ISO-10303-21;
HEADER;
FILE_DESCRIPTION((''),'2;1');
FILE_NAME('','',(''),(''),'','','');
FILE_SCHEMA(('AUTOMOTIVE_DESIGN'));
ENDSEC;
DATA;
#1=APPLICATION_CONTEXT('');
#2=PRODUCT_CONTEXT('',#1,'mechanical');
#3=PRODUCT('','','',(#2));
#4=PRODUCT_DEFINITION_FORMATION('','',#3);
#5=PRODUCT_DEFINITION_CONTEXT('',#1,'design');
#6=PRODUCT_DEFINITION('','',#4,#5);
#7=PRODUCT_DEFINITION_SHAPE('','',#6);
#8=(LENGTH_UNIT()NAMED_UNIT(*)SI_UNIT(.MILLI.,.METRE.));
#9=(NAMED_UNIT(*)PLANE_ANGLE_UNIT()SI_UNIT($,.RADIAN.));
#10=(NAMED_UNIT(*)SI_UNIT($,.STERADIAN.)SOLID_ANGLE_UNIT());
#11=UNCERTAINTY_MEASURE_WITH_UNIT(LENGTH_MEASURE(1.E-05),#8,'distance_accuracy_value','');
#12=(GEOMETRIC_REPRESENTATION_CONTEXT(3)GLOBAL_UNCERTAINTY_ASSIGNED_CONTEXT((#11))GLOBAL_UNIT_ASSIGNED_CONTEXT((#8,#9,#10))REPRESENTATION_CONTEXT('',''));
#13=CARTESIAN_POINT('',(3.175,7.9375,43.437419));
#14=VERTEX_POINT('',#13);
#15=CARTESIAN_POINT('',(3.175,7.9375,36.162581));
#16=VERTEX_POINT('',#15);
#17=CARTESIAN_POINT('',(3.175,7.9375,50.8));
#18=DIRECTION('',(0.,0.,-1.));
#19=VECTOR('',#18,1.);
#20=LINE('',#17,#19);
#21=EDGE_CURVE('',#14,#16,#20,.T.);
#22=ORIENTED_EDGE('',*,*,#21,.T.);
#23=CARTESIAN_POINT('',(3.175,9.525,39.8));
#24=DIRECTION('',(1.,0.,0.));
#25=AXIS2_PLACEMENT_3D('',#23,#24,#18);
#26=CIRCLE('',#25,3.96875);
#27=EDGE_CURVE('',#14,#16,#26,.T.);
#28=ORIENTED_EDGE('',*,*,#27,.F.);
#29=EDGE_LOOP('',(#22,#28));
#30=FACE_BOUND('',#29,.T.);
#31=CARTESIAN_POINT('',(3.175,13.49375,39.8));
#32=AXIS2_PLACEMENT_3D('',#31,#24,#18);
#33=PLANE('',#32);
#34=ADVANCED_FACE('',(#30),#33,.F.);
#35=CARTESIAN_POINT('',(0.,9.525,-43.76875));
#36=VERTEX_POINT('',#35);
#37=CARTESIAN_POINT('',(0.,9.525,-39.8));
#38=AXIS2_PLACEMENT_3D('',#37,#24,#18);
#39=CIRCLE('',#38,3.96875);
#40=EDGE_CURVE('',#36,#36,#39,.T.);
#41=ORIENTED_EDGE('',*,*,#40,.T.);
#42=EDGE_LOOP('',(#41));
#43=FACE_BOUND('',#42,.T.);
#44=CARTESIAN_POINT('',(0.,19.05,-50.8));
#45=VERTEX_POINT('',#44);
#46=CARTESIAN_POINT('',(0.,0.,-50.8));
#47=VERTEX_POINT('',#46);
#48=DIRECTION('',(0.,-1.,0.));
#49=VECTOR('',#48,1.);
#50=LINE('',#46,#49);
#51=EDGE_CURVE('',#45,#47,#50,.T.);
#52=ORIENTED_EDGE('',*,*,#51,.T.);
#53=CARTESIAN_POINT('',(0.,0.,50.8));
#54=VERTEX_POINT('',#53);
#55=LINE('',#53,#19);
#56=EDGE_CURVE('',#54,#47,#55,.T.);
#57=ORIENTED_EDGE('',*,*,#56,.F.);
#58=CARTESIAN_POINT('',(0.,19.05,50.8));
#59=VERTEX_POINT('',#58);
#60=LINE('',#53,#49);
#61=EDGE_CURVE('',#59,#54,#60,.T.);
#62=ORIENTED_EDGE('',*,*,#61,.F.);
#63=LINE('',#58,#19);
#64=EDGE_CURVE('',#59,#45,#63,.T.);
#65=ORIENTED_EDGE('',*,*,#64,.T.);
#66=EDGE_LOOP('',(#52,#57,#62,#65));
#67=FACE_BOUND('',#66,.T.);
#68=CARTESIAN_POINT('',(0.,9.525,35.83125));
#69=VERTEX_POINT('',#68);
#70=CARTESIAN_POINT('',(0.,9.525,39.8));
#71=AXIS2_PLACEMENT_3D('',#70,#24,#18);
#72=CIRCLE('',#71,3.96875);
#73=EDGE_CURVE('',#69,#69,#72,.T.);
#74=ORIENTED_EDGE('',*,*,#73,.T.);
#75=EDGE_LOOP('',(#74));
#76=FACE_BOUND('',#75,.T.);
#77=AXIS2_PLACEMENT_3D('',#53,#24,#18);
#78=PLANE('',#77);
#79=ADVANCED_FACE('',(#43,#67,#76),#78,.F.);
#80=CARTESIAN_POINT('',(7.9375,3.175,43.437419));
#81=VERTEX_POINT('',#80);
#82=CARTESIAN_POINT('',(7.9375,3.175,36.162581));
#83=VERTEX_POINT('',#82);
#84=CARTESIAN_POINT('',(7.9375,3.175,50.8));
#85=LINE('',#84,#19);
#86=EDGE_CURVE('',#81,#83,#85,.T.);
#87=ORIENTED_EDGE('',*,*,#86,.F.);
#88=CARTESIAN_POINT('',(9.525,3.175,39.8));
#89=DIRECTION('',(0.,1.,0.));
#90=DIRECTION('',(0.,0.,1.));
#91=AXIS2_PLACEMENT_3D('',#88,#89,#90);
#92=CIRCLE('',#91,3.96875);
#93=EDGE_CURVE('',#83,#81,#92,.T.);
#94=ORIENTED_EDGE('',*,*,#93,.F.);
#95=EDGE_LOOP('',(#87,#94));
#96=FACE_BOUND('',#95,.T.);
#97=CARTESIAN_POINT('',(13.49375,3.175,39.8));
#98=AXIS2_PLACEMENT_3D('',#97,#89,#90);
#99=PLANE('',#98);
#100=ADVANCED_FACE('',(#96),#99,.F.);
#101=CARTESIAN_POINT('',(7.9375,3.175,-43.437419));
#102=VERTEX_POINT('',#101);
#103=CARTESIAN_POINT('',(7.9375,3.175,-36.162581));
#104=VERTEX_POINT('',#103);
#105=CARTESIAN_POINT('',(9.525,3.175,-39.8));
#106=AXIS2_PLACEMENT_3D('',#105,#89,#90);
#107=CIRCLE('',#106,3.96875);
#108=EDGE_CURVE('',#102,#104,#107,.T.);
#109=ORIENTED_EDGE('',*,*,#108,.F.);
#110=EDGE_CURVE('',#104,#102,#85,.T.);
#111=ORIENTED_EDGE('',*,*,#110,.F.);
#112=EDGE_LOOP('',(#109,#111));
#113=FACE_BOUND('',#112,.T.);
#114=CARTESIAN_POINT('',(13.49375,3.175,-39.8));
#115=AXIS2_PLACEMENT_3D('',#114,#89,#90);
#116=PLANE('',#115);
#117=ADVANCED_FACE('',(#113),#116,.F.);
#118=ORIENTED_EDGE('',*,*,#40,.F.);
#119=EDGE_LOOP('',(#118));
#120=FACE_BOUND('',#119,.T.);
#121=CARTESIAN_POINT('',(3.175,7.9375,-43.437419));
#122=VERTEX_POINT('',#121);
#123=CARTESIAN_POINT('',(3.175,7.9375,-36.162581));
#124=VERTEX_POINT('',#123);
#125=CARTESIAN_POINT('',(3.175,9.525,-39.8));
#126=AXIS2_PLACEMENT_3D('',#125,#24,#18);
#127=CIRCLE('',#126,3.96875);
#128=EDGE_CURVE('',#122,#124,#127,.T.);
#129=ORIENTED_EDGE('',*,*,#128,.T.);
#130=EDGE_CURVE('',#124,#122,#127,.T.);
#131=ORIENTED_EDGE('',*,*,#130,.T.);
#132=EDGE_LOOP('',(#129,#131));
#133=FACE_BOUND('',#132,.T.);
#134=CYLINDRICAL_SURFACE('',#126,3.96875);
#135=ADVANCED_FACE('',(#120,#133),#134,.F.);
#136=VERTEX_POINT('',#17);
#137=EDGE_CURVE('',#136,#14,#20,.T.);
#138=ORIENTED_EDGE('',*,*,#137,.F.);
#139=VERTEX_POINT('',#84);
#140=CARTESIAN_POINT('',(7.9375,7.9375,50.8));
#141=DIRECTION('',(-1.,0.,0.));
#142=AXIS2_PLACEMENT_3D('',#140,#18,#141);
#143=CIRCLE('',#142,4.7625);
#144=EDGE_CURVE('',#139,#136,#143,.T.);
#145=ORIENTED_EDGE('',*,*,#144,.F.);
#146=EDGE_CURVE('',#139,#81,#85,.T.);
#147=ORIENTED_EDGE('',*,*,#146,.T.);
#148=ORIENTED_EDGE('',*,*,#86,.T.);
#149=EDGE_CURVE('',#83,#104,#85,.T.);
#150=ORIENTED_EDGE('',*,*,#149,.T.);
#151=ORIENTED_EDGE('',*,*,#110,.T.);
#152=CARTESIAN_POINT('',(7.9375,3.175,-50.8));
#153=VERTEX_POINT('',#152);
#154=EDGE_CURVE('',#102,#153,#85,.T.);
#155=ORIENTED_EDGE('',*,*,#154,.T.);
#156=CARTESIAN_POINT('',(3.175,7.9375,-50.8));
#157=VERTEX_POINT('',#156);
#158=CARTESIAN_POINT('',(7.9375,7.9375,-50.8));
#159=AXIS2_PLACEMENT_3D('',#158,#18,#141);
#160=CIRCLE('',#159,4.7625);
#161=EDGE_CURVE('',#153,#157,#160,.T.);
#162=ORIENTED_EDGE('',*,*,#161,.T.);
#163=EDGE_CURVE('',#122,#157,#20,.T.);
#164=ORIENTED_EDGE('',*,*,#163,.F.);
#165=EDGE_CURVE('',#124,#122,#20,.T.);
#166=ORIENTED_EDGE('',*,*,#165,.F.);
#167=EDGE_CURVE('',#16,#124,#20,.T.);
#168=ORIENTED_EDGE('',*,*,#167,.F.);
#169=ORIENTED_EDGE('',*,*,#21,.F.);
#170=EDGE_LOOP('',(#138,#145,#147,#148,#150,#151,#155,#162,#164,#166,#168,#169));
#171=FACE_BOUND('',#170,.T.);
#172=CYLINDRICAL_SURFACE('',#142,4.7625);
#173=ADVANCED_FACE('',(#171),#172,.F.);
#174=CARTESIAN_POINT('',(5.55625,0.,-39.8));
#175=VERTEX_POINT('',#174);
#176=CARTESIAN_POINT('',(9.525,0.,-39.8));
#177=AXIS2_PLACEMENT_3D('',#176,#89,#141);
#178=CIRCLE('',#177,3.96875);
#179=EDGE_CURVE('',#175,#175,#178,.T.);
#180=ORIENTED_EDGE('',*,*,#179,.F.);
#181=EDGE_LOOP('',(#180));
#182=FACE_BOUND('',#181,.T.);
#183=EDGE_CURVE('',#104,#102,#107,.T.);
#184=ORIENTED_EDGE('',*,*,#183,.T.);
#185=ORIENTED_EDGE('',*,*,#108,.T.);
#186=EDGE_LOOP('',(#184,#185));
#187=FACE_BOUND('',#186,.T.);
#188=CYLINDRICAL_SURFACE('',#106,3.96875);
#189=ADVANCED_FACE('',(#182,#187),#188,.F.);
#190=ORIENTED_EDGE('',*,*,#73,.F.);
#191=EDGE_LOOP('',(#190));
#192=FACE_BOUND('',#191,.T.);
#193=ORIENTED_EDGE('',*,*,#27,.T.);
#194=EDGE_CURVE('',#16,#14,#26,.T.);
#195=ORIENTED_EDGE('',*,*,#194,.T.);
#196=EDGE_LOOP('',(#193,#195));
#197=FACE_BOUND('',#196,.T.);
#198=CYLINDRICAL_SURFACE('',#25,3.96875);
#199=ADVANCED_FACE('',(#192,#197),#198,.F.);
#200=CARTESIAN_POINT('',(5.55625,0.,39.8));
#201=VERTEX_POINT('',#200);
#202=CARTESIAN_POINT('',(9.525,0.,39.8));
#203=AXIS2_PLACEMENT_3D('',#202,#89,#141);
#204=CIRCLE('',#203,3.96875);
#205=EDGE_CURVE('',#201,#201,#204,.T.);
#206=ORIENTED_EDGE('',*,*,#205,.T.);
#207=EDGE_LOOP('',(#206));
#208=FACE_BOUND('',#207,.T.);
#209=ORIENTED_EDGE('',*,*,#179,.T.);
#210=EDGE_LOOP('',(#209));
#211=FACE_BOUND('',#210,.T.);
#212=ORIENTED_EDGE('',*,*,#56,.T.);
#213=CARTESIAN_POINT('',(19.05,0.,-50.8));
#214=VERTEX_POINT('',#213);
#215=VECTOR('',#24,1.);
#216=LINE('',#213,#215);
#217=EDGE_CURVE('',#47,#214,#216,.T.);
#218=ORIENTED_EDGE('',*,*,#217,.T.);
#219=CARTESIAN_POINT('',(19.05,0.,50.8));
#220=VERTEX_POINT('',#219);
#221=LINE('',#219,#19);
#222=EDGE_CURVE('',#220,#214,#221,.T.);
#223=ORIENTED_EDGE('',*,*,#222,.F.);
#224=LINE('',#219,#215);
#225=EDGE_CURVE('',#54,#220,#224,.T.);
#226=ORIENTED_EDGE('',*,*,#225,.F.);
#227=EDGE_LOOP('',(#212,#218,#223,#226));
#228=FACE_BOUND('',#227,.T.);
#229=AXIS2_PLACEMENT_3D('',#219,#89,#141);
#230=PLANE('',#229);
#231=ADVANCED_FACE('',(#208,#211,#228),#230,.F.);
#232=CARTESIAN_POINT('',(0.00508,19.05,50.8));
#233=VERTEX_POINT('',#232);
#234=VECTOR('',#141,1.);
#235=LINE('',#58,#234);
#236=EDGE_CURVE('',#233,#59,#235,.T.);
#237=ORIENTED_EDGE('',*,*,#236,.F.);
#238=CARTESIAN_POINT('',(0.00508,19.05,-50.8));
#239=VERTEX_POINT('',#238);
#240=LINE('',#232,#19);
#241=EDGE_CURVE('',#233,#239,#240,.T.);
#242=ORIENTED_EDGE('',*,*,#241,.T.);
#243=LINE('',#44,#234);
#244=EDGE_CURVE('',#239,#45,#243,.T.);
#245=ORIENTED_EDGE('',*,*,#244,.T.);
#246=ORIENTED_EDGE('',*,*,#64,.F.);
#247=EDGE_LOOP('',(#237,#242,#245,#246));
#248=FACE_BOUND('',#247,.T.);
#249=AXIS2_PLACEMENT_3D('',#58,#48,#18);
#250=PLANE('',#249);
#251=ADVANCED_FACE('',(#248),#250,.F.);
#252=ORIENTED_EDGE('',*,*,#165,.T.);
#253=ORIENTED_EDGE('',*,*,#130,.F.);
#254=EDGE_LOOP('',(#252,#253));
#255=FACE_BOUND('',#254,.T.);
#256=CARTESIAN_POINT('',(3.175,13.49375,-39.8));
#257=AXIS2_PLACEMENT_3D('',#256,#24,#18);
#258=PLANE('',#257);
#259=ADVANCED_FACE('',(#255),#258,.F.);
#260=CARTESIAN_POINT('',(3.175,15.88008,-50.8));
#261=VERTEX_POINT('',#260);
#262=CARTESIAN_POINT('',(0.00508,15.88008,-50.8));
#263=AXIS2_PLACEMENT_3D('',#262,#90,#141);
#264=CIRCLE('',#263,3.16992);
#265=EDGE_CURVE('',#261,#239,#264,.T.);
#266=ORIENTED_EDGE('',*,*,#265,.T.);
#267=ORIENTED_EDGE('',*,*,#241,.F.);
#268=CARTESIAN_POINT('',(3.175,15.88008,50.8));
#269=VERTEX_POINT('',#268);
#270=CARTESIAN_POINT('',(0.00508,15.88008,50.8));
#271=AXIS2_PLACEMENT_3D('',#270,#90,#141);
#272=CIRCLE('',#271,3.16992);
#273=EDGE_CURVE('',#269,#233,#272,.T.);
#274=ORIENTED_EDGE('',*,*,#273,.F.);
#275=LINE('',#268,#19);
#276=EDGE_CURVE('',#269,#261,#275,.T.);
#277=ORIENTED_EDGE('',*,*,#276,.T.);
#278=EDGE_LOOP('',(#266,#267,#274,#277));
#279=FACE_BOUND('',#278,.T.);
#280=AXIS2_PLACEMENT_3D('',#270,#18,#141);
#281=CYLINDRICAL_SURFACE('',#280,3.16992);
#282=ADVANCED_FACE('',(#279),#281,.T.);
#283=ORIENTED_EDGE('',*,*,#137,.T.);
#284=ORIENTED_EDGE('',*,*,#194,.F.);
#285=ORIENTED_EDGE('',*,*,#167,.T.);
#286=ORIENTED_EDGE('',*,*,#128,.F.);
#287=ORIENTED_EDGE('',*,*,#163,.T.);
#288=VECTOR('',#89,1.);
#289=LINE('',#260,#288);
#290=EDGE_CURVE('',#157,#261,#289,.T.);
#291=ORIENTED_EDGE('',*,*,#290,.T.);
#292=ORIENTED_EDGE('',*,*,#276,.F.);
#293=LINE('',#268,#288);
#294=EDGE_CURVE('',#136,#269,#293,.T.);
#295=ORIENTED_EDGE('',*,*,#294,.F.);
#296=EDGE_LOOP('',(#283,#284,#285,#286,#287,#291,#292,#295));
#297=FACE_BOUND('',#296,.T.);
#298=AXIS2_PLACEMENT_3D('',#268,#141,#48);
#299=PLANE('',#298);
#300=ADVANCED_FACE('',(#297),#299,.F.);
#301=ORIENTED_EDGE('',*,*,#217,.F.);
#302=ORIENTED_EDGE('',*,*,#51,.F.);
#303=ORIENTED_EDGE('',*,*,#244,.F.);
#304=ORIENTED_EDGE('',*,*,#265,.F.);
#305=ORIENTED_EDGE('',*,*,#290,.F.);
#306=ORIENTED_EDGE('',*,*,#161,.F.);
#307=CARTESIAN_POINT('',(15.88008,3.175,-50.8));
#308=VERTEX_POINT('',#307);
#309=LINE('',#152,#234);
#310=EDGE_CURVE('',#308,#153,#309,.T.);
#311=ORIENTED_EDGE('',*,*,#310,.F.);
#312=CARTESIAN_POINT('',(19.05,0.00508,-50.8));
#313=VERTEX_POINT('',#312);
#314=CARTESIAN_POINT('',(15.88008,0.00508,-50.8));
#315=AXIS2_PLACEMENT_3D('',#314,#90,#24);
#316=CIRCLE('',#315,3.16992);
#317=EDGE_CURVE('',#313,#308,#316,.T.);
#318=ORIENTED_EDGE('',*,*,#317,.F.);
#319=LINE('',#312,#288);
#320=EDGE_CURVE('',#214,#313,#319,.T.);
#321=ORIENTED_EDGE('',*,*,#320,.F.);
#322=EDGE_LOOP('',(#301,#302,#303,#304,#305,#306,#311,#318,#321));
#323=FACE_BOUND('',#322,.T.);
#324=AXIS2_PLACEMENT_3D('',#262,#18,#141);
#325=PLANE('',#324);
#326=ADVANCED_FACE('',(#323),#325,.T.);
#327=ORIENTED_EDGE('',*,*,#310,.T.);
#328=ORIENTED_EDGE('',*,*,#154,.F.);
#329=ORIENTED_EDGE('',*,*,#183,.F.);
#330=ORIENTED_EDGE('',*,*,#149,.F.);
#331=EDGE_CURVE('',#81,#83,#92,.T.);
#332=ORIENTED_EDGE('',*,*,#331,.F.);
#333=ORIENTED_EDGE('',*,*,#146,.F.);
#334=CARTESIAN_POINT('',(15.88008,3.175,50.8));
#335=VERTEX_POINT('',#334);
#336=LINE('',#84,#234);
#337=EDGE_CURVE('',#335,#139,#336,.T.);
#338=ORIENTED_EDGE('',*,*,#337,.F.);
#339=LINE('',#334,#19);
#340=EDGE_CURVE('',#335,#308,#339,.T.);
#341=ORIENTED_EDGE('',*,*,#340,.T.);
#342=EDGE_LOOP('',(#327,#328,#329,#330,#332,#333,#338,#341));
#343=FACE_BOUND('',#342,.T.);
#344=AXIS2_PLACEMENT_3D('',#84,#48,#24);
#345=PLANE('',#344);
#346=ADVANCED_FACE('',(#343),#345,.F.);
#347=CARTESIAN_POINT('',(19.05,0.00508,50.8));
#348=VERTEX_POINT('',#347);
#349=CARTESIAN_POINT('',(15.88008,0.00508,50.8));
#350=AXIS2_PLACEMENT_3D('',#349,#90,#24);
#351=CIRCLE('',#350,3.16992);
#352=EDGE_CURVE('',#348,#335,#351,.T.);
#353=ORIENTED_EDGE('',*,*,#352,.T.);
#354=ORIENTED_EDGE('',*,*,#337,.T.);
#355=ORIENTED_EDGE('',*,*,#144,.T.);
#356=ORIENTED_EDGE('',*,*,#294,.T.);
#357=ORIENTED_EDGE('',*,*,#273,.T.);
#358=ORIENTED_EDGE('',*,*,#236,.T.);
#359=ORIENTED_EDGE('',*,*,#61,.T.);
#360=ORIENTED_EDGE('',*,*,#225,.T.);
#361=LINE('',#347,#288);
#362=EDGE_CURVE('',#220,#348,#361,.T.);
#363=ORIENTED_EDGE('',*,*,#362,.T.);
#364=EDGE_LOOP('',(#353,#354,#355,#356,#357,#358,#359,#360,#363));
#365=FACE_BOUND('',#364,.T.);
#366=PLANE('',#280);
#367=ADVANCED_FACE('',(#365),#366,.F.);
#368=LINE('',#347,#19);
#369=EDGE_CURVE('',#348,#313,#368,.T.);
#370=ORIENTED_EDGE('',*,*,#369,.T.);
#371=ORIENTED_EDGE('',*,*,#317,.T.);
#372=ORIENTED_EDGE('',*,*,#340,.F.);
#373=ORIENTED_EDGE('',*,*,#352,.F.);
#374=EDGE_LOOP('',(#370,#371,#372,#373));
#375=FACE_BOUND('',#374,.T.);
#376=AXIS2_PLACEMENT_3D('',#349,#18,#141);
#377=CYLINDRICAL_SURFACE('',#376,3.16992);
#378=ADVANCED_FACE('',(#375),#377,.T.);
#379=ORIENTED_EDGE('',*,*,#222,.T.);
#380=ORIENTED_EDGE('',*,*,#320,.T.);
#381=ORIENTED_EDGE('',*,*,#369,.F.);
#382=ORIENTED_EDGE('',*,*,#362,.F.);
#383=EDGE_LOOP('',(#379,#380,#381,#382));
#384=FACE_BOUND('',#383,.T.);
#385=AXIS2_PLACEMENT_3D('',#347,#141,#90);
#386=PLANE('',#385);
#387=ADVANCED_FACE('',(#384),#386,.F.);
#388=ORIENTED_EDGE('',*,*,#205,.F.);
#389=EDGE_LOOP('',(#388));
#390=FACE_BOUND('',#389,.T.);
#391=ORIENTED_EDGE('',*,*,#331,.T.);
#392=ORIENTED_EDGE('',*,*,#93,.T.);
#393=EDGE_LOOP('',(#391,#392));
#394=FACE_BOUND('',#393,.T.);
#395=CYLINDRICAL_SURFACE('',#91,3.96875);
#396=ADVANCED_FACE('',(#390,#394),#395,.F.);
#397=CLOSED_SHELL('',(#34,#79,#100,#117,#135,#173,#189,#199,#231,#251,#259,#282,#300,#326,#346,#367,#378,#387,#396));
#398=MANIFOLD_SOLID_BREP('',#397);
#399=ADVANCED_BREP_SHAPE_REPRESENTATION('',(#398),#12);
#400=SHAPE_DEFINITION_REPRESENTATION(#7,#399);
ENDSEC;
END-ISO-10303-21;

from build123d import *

# Parameters (mm, degrees)
BASESTEELANGLE_DEPTH = 50.8


with BuildPart() as part:
    # Sketch1 → BaseSteelAngle (new body, symmetric)
    with BuildSketch(Plane.XY):
        with BuildLine():
            Line((0, 0), (0, 19.05))
            Line((0, 19.05), (0.00508, 19.05))
            ThreePointArc((0.00508, 19.05), (2.246551928, 18.121551928), (3.175, 15.88008))
            Line((3.175, 15.88008), (3.175, 7.9375))
            ThreePointArc((3.175, 7.9375), (4.569903955, 4.569903955), (7.9375, 3.175))
            Line((7.9375, 3.175), (15.88008, 3.175))
            ThreePointArc((15.88008, 3.175), (18.121551928, 2.246551928), (19.05, 0.00508))
            Line((19.05, 0.00508), (19.05, 0))
            Line((19.05, 0), (0, 0))
        make_face()
    extrude(amount=BASESTEELANGLE_DEPTH, both=True)

    # Sketch4 → 5/16 (0.3125) Diameter Hole2 (revolve, cut)
    with BuildSketch(Plane(origin=(9.525, 3.175, 39.8), x_dir=(0, 0, 1), z_dir=(1, 0, 0))):
        Polygon((0, 0), (0, 21.434665582), (3.96875, 19.05), (3.96875, 0), align=None)
    f_5_16_0_3125_diameter_hole2 = revolve(axis=Axis((9.525, 9.525, 39.8), (0, -1, 0)), mode=Mode.SUBTRACT)

    # Mirror1: 5/16 (0.3125) Diameter Hole2 across plane
    add(f_5_16_0_3125_diameter_hole2.mirror(Plane.XY), mode=Mode.SUBTRACT)

    # Sketch6 → 5/16 (0.3125) Diameter Hole3 (revolve, cut)
    with BuildSketch(Plane(origin=(3.175, 9.525, 39.8), x_dir=(0, 0, -1), z_dir=(0, 1, 0))):
        Polygon((0, 0), (0, 21.434665582), (3.96875, 19.05), (3.96875, 0), align=None)
    f_5_16_0_3125_diameter_hole3 = revolve(axis=Axis((9.525, 9.525, 39.8), (-1, 0, 0)), mode=Mode.SUBTRACT)

    # Mirror2: 5/16 (0.3125) Diameter Hole3 across plane
    add(f_5_16_0_3125_diameter_hole3.mirror(Plane.XY), mode=Mode.SUBTRACT)


solid = part.part
